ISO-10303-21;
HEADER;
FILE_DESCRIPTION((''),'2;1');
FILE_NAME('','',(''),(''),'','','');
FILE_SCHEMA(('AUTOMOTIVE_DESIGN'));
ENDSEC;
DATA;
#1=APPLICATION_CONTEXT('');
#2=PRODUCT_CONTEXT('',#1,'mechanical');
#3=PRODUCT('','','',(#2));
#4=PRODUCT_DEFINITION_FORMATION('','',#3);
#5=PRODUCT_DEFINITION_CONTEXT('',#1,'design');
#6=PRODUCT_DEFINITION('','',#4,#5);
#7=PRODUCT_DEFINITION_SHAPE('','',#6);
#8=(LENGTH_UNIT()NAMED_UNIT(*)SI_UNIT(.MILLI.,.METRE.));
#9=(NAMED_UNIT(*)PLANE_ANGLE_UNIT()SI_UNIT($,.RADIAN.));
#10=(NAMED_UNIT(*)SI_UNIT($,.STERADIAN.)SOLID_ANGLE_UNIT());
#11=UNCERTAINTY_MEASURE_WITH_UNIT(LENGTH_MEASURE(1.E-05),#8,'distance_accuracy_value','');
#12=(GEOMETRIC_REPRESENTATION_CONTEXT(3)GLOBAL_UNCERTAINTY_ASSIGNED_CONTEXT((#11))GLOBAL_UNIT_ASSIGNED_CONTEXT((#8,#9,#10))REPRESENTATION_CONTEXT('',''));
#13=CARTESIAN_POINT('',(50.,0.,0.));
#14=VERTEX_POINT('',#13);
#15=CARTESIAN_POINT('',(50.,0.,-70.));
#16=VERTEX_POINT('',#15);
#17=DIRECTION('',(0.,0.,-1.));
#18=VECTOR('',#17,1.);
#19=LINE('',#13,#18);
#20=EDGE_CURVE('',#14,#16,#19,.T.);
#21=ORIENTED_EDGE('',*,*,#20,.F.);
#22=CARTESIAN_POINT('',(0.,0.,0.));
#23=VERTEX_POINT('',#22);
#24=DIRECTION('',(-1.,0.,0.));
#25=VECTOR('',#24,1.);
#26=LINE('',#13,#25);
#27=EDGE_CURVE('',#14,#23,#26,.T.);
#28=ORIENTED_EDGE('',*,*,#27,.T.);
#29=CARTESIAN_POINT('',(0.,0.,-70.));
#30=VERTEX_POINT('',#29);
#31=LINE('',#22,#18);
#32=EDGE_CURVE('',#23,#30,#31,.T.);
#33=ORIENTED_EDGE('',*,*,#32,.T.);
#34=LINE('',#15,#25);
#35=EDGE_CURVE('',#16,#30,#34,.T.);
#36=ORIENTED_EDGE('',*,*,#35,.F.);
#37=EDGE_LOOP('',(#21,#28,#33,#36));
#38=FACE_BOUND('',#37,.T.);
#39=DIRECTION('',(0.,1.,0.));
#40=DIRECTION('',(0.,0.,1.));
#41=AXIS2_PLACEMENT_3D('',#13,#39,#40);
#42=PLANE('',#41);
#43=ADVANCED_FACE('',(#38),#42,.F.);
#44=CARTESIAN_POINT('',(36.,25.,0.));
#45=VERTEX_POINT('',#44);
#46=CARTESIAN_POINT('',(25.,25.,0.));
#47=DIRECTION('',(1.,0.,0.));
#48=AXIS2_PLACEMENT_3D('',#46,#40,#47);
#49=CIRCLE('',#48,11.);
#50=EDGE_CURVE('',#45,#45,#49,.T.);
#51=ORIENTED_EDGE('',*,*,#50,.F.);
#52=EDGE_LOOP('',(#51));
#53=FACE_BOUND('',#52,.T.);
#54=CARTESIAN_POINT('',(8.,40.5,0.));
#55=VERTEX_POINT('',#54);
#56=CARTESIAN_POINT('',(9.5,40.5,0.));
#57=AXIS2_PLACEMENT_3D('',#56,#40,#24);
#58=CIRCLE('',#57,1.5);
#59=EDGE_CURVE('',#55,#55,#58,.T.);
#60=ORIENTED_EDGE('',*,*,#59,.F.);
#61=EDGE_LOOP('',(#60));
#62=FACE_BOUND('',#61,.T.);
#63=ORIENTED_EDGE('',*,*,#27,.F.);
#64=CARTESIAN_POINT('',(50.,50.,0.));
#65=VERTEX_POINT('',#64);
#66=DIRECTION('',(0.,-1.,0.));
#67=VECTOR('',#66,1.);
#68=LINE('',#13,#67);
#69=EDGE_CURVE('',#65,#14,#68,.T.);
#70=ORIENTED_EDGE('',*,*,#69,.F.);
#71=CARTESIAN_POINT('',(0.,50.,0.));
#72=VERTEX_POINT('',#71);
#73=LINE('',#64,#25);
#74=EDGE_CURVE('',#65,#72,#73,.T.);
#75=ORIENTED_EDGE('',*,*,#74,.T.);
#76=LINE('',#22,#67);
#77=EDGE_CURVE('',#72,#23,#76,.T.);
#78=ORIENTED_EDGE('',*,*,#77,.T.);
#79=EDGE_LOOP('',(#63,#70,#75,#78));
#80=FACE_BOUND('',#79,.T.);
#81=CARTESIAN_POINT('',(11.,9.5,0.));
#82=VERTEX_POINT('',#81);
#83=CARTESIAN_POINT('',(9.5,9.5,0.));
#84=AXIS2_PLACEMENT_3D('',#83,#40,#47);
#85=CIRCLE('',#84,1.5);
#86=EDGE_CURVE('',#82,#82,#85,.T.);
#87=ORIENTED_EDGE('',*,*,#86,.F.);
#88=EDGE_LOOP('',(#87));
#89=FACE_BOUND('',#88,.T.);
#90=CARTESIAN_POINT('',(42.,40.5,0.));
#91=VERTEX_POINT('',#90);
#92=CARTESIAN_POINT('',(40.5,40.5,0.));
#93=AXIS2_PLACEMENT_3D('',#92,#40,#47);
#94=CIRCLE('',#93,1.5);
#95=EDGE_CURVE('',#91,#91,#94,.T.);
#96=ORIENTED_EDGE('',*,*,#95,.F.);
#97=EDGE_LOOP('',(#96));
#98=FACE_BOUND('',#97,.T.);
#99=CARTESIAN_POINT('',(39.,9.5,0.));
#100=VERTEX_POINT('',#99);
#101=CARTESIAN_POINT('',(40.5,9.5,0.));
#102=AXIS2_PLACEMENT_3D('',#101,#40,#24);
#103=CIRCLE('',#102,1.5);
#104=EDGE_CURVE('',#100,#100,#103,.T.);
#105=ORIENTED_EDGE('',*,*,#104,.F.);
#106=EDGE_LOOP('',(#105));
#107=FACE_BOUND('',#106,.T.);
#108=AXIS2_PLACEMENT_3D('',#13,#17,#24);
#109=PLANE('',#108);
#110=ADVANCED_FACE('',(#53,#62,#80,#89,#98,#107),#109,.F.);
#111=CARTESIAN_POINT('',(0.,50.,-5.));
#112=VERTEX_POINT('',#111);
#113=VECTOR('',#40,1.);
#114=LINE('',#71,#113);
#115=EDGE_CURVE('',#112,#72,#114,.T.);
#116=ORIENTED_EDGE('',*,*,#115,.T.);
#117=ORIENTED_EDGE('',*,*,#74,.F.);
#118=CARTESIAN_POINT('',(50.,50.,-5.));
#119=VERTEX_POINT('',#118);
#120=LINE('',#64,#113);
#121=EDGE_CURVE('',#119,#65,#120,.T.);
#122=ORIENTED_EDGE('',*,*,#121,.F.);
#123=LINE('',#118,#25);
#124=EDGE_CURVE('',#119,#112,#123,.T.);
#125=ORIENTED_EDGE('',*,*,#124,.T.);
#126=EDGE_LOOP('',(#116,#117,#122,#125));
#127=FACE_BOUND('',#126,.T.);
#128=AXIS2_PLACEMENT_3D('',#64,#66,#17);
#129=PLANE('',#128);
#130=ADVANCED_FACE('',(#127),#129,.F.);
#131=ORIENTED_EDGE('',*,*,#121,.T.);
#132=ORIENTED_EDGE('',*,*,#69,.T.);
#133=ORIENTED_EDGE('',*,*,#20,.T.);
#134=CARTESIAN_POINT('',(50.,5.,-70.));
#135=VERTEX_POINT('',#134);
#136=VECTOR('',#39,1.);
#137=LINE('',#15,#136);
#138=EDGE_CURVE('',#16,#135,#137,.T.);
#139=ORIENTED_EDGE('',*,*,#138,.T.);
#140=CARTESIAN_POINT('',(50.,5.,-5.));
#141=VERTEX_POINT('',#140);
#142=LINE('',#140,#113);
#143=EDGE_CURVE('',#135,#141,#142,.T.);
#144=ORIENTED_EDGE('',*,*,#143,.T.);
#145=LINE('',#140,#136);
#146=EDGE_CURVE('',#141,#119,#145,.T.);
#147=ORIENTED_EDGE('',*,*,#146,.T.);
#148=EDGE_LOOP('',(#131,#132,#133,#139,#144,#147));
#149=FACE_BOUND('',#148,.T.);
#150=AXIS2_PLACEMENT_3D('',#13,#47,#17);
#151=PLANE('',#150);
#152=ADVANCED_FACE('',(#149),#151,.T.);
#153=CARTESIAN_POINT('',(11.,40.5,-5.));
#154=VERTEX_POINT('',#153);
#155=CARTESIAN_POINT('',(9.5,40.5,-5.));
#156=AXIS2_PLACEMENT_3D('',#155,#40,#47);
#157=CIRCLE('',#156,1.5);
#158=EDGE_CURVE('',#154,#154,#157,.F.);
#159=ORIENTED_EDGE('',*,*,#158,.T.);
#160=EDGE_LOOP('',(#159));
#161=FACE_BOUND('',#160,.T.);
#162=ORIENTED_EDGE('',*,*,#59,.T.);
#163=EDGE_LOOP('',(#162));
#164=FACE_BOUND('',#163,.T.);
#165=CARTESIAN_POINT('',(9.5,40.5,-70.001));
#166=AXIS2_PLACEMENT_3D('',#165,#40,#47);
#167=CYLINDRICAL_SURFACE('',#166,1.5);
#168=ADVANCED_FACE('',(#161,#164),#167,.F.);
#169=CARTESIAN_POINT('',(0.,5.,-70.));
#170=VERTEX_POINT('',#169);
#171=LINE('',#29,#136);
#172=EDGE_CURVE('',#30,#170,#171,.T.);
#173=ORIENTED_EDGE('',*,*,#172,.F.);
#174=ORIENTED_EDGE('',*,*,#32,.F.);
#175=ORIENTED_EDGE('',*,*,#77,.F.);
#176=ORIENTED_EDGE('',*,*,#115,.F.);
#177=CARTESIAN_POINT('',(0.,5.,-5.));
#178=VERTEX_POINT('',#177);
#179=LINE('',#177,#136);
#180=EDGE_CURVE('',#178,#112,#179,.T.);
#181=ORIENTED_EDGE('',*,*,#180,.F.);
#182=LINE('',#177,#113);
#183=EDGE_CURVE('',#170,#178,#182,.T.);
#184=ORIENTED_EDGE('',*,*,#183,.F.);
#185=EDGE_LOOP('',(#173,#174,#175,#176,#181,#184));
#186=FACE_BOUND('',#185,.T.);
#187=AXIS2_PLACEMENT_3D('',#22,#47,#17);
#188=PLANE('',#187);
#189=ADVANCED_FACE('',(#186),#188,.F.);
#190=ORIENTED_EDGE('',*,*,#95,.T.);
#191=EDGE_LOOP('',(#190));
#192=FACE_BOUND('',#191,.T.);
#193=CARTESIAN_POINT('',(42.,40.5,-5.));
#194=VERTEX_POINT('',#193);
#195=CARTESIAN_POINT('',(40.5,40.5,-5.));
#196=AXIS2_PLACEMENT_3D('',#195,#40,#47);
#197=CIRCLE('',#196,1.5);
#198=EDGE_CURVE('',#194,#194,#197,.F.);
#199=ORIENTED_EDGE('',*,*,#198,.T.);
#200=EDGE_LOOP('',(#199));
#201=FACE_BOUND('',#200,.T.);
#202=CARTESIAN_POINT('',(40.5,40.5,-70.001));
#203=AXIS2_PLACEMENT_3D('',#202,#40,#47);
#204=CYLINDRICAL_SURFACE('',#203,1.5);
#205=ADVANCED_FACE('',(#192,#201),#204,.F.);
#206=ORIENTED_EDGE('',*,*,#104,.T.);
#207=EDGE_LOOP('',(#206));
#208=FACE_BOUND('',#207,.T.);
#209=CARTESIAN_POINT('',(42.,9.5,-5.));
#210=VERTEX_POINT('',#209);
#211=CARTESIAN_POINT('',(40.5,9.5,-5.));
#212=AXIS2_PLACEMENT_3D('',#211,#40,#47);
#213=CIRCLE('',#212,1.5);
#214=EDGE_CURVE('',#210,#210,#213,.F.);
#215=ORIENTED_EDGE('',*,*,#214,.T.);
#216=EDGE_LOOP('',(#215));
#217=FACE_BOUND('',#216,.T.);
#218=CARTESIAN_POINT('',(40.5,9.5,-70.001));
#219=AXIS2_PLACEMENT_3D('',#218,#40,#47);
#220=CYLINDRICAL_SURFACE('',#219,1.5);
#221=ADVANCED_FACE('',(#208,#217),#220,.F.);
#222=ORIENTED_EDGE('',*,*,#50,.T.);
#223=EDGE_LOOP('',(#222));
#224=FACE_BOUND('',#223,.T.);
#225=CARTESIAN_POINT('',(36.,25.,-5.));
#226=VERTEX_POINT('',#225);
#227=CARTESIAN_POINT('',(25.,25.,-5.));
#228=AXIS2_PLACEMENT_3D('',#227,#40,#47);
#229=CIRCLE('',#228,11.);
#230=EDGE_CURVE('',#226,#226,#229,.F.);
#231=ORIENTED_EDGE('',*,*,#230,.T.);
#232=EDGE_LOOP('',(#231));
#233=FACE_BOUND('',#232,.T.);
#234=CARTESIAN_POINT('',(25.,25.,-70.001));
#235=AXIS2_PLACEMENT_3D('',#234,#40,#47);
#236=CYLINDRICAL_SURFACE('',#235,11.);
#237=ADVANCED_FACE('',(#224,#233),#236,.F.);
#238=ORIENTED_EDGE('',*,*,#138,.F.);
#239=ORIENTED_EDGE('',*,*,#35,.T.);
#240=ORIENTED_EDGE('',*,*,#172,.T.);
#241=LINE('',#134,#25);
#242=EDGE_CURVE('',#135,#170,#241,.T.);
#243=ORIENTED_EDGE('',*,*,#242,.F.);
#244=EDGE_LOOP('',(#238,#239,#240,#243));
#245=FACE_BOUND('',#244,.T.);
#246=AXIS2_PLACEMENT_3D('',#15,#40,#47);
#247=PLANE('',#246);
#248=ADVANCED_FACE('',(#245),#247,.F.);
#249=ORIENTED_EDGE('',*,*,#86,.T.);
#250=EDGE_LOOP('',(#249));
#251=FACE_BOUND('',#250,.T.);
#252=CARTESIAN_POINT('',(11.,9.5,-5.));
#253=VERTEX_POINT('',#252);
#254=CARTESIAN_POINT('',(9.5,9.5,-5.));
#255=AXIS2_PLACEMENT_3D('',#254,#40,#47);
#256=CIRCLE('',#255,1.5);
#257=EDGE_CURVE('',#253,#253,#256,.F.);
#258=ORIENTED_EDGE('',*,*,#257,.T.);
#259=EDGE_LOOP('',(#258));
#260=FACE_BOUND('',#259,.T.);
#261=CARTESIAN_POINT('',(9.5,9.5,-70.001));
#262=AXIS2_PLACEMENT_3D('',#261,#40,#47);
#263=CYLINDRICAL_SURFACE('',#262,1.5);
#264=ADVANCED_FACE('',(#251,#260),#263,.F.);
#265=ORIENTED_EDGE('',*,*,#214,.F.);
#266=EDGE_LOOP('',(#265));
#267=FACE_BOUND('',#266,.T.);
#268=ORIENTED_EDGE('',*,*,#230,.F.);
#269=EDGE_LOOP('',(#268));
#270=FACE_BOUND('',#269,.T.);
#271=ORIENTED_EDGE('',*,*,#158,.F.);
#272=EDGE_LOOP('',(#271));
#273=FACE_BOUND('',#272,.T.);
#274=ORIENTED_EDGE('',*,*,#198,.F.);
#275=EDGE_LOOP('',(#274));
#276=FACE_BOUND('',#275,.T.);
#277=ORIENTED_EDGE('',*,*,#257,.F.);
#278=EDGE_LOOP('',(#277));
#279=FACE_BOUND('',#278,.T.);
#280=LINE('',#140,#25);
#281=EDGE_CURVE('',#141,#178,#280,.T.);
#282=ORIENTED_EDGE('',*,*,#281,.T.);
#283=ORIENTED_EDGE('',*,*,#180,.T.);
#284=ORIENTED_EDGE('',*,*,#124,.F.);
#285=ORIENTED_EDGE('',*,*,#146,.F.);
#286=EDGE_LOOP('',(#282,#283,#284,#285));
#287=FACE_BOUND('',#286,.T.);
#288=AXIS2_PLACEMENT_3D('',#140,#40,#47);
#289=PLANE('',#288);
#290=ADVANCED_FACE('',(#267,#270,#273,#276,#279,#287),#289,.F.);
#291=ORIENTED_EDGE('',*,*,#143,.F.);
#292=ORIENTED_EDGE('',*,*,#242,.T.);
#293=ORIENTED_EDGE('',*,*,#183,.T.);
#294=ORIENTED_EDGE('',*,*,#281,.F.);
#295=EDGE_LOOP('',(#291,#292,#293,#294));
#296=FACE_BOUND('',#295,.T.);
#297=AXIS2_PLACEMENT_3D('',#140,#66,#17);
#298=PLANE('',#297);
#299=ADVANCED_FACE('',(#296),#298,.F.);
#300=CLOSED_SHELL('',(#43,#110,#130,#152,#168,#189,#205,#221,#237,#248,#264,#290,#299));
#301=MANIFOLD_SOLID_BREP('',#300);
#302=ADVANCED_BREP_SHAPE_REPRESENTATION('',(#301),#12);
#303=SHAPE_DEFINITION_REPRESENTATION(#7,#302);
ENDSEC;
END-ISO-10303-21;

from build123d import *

# Parameters (mm, degrees)
BOSS_EXTRUDE1_DEPTH = 50
CUT_EXTRUDE1_REACH  = 101.499
SKETCH3_R           = 11
SKETCH3_R_2         = 1.5


with BuildPart() as part:
    # Sketch1 → Boss-Extrude1 (new body)
    with BuildSketch(Plane(origin=(0, 0, 0), x_dir=(0, 0, -1), z_dir=(1, 0, 0))):
        Polygon((0, 0), (0, 50), (5, 50), (5, 5), (70, 5), (70, 0), align=None)
    extrude(amount=BOSS_EXTRUDE1_DEPTH)

    # Sketch3 → Cut-Extrude1 (cut, up to next)
    with BuildSketch(Plane.XY, mode=Mode.PRIVATE) as cut_extrude1_sk1:
        with Locations((25, 25)):
            Circle(SKETCH3_R)
    cut_extrude1_tool1 = extrude(cut_extrude1_sk1.sketch, amount=-CUT_EXTRUDE1_REACH, mode=Mode.PRIVATE) & part.part
    # Sketch3 → Cut-Extrude1 (cut, up to next)
    with BuildSketch(Plane.XY, mode=Mode.PRIVATE) as cut_extrude1_sk2:
        with Locations((40.5, 40.5)):
            Circle(SKETCH3_R_2)
    cut_extrude1_tool2 = extrude(cut_extrude1_sk2.sketch, amount=-CUT_EXTRUDE1_REACH, mode=Mode.PRIVATE) & part.part
    # Sketch3 → Cut-Extrude1 (cut, up to next)
    with BuildSketch(Plane.XY, mode=Mode.PRIVATE) as cut_extrude1_sk3:
        with Locations((9.5, 40.5)):
            Circle(SKETCH3_R_2)
    cut_extrude1_tool3 = extrude(cut_extrude1_sk3.sketch, amount=-CUT_EXTRUDE1_REACH, mode=Mode.PRIVATE) & part.part
    # Sketch3 → Cut-Extrude1 (cut, up to next)
    with BuildSketch(Plane.XY, mode=Mode.PRIVATE) as cut_extrude1_sk4:
        with Locations((9.5, 9.5)):
            Circle(SKETCH3_R_2)
    cut_extrude1_tool4 = extrude(cut_extrude1_sk4.sketch, amount=-CUT_EXTRUDE1_REACH, mode=Mode.PRIVATE) & part.part
    # Sketch3 → Cut-Extrude1 (cut, up to next)
    with BuildSketch(Plane.XY, mode=Mode.PRIVATE) as cut_extrude1_sk5:
        with Locations((40.5, 9.5)):
            Circle(SKETCH3_R_2)
    cut_extrude1_tool5 = extrude(cut_extrude1_sk5.sketch, amount=-CUT_EXTRUDE1_REACH, mode=Mode.PRIVATE) & part.part
    add(cut_extrude1_tool1.solids().sort_by_distance((25, 25, 0))[0], mode=Mode.SUBTRACT)
    add(cut_extrude1_tool2.solids().sort_by_distance((40.5, 40.5, 0))[0], mode=Mode.SUBTRACT)
    add(cut_extrude1_tool3.solids().sort_by_distance((9.5, 40.5, 0))[0], mode=Mode.SUBTRACT)
    add(cut_extrude1_tool4.solids().sort_by_distance((9.5, 9.5, 0))[0], mode=Mode.SUBTRACT)
    add(cut_extrude1_tool5.solids().sort_by_distance((40.5, 9.5, 0))[0], mode=Mode.SUBTRACT)


solid = part.part
